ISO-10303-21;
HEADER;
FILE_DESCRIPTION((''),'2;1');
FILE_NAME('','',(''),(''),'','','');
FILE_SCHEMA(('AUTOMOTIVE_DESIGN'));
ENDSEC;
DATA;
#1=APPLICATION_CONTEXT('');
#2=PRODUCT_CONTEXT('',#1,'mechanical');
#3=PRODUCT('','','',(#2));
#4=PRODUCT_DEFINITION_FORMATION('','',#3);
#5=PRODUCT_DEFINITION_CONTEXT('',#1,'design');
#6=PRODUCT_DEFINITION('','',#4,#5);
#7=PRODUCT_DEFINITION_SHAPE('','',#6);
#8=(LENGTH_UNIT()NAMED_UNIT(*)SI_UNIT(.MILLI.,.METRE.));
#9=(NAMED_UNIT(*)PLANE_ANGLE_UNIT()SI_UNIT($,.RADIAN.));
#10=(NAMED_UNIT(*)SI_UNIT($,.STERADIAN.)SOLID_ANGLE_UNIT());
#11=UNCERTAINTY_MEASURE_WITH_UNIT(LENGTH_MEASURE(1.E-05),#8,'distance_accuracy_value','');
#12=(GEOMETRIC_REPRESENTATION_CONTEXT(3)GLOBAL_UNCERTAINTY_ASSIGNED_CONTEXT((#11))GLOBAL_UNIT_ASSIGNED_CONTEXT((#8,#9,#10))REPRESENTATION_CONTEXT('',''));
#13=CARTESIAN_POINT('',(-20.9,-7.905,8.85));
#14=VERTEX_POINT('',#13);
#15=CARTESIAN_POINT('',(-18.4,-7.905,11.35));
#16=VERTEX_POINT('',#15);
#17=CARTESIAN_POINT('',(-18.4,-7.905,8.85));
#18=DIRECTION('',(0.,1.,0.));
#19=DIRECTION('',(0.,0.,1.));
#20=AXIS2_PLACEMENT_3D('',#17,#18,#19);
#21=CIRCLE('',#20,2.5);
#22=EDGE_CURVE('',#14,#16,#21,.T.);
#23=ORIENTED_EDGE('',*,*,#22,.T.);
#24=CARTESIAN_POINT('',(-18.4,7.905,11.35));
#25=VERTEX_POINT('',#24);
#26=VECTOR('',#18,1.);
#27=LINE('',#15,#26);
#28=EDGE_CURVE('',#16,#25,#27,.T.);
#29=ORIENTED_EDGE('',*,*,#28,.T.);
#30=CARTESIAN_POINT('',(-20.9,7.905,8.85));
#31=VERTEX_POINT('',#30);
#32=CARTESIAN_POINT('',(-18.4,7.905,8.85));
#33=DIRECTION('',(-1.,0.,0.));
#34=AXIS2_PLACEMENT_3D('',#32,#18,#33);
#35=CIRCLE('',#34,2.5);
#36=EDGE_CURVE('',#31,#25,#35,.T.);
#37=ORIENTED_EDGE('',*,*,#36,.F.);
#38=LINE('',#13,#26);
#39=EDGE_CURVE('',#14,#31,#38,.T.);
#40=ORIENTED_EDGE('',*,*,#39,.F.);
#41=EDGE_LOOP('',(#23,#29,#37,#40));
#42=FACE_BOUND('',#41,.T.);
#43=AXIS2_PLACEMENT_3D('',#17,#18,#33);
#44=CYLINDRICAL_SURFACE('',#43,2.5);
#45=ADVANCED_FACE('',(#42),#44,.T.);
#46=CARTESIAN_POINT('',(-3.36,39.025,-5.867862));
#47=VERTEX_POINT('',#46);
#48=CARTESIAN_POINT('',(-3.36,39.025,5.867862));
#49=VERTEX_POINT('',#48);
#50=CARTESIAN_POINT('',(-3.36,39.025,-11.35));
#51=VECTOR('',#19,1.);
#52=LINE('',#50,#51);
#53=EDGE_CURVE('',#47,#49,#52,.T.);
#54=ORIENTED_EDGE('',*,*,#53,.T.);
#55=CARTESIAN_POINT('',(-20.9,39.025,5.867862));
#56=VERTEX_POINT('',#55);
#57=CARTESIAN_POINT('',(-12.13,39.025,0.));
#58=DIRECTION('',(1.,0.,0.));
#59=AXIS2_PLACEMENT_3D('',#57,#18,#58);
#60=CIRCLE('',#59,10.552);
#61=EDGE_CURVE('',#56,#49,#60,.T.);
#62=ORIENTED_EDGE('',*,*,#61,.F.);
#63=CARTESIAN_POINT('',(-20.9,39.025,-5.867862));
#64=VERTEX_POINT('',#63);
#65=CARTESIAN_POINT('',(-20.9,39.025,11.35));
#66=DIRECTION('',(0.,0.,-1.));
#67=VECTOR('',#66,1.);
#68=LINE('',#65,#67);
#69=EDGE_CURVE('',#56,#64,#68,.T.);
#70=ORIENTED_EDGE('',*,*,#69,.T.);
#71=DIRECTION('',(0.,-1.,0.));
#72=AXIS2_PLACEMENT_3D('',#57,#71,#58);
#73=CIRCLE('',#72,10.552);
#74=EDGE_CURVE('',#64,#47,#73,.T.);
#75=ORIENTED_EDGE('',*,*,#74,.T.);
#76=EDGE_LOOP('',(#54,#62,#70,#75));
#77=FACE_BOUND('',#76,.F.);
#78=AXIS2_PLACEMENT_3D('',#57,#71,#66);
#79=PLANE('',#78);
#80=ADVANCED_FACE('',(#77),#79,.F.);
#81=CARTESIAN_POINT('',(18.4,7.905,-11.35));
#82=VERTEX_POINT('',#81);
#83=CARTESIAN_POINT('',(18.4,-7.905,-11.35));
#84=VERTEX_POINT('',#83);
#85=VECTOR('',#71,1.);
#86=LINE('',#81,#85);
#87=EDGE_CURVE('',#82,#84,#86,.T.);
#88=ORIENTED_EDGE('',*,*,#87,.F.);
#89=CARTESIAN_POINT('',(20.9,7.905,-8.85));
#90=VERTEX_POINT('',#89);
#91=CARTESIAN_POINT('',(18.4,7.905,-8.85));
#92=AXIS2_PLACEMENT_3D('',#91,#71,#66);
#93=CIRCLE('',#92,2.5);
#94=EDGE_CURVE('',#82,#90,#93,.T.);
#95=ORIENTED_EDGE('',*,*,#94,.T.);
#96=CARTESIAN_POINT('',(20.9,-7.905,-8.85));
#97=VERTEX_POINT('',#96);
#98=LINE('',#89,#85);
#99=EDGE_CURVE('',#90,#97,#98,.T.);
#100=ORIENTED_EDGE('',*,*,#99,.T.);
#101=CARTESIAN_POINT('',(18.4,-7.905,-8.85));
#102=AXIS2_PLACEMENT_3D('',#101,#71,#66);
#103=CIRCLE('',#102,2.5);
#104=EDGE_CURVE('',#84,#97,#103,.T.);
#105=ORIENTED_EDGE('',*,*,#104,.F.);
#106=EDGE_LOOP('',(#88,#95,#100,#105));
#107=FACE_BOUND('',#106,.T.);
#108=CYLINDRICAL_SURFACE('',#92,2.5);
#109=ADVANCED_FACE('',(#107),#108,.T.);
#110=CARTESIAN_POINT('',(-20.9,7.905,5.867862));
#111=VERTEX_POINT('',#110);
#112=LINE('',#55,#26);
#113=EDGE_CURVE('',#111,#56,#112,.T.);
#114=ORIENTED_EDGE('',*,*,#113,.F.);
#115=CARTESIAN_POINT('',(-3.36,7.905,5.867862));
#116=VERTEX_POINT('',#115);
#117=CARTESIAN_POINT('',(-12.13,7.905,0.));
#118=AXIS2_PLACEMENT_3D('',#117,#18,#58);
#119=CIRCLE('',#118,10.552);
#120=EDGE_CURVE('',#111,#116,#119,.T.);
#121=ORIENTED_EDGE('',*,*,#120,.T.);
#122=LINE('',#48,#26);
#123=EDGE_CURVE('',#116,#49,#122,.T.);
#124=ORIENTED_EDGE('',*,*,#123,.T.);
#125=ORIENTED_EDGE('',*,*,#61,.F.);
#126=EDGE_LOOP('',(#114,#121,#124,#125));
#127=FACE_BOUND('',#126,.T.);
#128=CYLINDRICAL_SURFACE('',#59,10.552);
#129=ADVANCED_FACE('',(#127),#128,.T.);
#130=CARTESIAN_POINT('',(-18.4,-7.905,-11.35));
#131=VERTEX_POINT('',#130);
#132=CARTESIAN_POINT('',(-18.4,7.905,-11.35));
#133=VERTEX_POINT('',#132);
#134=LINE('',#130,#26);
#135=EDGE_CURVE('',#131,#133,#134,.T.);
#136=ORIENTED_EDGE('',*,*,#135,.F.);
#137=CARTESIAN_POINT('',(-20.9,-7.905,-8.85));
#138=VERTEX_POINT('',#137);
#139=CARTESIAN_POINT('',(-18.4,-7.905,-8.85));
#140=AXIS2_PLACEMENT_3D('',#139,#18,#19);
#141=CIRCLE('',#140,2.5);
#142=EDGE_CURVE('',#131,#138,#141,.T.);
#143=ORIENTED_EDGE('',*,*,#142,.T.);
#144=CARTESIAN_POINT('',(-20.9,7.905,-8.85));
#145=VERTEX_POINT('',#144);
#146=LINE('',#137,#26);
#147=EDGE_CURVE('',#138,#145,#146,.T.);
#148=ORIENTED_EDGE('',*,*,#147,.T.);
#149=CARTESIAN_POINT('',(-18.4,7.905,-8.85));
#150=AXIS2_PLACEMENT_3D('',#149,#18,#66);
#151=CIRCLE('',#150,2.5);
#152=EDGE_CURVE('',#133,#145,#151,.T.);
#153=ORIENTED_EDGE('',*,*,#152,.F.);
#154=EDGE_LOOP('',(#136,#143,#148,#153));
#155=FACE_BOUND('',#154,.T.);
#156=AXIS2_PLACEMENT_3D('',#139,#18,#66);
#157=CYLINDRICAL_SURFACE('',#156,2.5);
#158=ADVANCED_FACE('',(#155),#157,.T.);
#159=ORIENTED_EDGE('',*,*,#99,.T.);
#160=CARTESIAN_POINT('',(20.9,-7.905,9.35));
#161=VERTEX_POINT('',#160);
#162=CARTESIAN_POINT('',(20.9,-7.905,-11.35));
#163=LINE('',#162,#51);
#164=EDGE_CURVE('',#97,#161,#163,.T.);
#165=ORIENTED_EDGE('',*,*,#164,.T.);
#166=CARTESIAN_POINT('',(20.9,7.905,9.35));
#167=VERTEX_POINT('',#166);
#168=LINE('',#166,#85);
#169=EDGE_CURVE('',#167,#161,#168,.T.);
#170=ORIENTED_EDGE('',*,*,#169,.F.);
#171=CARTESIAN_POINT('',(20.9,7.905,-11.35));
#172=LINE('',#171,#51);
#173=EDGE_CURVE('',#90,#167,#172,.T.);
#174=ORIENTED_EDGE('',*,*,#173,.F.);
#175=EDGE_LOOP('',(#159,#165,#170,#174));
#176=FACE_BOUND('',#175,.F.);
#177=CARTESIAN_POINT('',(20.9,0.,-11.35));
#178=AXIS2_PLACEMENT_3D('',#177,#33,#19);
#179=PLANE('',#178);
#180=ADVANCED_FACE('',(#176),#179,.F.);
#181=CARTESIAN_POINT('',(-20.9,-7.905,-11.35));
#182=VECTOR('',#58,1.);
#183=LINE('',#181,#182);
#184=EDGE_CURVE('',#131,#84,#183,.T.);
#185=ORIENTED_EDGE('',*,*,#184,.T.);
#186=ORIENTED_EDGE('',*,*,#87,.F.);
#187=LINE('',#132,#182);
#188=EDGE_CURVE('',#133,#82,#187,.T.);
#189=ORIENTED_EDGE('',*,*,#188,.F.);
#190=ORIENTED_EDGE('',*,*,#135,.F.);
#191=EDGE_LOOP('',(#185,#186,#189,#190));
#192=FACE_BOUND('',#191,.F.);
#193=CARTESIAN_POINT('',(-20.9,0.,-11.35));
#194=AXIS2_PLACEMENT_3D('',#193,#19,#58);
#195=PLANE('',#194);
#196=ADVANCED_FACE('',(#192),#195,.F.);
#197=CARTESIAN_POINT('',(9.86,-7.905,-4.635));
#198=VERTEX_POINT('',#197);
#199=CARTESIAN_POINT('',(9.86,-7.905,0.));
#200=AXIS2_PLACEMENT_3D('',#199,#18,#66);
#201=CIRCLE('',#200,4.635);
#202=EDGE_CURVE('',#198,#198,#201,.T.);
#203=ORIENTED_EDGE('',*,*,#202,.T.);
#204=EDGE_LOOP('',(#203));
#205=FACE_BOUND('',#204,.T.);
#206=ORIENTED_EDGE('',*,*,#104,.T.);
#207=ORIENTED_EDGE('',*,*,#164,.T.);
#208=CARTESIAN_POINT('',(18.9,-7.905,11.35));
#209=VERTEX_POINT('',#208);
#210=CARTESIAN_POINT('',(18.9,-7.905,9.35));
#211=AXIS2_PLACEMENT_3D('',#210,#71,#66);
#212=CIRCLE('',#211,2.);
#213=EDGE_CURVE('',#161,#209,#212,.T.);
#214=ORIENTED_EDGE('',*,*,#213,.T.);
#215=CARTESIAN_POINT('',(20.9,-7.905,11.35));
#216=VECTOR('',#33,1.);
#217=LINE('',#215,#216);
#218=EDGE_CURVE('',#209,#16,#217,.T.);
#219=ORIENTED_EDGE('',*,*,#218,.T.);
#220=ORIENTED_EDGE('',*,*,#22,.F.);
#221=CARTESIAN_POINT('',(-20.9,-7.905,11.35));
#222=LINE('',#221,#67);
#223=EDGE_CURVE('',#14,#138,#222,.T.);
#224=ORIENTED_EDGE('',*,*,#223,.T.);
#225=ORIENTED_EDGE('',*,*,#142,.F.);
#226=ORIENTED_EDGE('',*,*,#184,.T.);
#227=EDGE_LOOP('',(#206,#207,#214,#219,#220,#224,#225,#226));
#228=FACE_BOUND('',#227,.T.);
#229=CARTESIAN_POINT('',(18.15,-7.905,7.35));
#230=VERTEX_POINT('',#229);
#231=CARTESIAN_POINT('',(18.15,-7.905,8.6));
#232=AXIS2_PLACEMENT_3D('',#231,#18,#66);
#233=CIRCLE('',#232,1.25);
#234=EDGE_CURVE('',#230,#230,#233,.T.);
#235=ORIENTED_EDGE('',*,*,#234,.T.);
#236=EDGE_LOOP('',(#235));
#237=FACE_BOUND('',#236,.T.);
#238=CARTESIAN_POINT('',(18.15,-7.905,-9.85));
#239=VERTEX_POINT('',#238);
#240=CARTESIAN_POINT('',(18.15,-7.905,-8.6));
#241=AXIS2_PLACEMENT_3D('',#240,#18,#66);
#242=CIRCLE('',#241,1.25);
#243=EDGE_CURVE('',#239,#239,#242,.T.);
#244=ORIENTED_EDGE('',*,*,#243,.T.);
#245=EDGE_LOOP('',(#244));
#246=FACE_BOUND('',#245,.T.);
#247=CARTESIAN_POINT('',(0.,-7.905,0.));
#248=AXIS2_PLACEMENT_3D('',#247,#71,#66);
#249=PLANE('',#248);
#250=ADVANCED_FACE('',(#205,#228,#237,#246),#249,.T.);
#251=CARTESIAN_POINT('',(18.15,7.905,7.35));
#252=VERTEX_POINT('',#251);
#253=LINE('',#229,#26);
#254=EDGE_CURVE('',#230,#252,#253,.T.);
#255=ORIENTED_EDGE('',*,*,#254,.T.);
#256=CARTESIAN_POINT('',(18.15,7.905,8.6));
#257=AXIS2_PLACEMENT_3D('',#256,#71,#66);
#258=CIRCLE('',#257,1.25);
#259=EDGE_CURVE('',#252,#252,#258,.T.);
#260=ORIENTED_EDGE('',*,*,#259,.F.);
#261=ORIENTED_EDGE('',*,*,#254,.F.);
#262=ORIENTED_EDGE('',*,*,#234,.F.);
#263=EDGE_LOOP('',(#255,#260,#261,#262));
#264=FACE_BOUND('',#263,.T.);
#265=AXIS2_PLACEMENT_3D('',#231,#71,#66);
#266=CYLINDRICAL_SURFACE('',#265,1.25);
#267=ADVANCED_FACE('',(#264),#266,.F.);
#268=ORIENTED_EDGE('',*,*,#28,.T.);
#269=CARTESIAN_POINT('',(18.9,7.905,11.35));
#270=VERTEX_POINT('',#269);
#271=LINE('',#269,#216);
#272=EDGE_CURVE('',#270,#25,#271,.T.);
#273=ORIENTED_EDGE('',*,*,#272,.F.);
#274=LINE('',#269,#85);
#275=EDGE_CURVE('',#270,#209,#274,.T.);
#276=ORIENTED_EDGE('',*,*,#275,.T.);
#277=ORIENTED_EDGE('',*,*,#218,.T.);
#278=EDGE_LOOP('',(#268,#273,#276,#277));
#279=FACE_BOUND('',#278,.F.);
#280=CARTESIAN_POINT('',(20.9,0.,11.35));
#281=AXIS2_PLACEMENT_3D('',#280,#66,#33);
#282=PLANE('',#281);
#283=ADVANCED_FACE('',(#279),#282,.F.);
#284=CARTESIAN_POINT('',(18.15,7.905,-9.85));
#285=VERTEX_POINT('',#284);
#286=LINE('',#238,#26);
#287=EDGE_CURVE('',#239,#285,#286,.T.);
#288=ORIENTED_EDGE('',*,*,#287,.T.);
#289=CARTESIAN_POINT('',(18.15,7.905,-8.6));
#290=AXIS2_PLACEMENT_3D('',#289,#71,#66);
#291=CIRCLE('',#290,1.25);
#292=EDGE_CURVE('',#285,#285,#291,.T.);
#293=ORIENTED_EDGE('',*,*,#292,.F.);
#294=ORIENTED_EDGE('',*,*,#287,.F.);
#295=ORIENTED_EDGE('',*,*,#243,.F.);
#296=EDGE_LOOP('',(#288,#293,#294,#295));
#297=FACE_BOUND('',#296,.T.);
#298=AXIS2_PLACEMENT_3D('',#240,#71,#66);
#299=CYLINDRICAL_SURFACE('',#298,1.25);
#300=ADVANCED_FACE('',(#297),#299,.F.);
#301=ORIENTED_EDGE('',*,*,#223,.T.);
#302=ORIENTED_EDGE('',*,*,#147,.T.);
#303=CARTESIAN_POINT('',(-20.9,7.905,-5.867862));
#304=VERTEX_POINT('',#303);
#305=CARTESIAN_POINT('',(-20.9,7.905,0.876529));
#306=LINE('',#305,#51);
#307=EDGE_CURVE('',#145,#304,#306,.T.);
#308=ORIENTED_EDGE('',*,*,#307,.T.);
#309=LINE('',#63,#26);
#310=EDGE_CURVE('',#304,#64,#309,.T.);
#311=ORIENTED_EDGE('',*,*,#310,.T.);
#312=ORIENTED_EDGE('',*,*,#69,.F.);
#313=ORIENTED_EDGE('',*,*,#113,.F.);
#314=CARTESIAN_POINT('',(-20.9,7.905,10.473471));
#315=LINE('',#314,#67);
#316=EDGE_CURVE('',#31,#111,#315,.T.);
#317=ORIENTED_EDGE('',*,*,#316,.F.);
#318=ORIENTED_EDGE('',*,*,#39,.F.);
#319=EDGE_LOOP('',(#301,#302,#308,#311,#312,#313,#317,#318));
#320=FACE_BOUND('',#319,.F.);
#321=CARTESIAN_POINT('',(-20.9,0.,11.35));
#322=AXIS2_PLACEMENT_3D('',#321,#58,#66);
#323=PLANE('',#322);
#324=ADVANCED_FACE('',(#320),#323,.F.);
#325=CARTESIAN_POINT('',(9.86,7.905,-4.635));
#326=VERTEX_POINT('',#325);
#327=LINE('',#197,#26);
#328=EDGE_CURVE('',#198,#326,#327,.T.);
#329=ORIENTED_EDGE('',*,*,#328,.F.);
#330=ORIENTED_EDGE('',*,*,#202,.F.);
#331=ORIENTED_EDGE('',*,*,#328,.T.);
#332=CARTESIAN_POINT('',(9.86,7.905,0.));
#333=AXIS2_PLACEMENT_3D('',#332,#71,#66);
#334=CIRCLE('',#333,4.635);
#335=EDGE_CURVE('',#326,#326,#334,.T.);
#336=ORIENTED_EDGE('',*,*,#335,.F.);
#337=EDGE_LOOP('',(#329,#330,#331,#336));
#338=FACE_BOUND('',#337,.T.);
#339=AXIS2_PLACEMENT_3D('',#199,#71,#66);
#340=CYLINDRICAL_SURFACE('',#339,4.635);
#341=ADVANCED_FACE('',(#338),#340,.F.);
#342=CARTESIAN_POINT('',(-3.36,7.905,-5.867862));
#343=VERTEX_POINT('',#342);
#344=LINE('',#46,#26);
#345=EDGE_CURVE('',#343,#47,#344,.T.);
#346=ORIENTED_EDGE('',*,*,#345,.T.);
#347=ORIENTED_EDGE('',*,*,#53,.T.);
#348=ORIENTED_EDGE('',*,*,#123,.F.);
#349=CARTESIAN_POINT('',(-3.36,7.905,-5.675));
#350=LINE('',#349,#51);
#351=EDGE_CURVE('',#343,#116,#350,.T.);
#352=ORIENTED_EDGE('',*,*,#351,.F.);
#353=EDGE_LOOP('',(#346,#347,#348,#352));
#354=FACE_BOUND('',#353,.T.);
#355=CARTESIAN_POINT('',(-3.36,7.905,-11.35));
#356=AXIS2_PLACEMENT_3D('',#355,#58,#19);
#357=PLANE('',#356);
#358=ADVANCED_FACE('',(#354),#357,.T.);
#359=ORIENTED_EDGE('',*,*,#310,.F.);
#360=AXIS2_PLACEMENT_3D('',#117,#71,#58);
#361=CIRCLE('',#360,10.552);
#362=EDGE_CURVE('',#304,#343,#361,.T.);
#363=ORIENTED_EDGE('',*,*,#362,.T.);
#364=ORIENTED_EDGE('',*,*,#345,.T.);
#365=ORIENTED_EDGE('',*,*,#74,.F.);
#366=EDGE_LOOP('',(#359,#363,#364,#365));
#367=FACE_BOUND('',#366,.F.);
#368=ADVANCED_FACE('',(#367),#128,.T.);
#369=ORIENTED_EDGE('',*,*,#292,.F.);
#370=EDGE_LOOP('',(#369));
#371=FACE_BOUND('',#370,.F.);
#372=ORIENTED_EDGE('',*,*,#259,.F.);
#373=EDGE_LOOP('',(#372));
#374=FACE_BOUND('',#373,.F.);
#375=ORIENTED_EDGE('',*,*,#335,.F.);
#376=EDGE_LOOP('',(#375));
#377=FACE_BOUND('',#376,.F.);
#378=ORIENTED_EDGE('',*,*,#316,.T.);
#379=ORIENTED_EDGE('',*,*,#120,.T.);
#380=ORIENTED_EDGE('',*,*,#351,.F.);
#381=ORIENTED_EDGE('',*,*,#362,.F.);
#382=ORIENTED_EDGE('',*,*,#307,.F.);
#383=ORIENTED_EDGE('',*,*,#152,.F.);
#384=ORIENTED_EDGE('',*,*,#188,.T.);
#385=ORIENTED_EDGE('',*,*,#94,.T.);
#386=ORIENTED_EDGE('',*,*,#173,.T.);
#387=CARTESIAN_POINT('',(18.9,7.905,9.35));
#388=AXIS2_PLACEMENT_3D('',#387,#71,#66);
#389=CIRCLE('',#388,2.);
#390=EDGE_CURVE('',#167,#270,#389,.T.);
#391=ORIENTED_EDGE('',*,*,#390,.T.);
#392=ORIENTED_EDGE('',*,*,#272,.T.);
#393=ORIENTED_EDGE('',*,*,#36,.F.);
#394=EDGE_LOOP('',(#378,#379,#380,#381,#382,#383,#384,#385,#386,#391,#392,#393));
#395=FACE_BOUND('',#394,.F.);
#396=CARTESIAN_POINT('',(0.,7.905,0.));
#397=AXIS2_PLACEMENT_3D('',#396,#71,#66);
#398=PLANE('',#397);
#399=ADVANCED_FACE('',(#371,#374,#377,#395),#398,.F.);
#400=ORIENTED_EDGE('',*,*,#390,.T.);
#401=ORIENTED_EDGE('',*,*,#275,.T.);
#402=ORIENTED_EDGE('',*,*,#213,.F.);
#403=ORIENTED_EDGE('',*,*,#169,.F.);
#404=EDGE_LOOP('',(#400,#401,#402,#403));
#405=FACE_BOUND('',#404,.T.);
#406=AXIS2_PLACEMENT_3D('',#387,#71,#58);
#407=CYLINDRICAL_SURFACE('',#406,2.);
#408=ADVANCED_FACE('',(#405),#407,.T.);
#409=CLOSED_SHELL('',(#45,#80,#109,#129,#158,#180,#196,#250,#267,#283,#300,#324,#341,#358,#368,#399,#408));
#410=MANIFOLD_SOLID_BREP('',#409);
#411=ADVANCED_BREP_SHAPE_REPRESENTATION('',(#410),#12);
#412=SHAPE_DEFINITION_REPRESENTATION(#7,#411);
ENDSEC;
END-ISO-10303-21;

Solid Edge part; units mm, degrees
sketch "Sketch1" plane through (0, 0, 0) normal (0, -1, 0) x (1, 0, 0)
  line L0 (-20.9, -11.35) -> (20.9, -11.35)
  line L1 (20.9, -11.35) -> (20.9, 11.35)
  line L2 (20.9, 11.35) -> (-20.9, 11.35)
  line L3 (-20.9, 11.35) -> (-20.9, -11.35)
extrude "Protrusion1" add sketch "Sketch1" along normal mid plane 15.81
sketch "Sketch2" plane through (0, 7.905, 0) normal (0, 1, 0) x (1, 0, 0)
  line L0 (-20.9, 11.35) -> (-3.36, 11.35)
  line L1 (-3.36, 11.35) -> (-3.36, -11.35)
  line L2 (-3.36, -11.35) -> (-20.9, -11.35)
  line L3 (-20.9, -11.35) -> (-20.9, 11.35)
extrude "Ajout_matière_2" add sketch "Sketch2" along normal blind 31.12 and the other way blind 0.01
hole "Perçage_1" at (18.15, -7.905, 8.6) direction (0, 1, 0) diameter 2.5 end through all
hole "Hole1" at (18.15, -7.905, -8.6) direction (0, 1, 0) diameter 2.5 end through all
hole "Perçage_4" at (9.86, -7.905, 0) direction (0, 1, 0) diameter 9.27 end through all
fillet "Congé_1" radius 2.5 3 edges at (20.9, 0, -11.35) (-20.9, 15.56, 11.35) (-20.9, 15.56, -11.35)
fillet "Congé_1" radius 2 1 edges at (20.9, 0, 11.35)
sketch "Sketch3" plane through (-12.13, 39.025, 0) normal (0, 1, 0) x (1, 0, 0)
  line L0 (8.77, 5.8678) -> (8.77, 11.35)
  line L1 (8.77, 11.35) -> (-8.77, 11.35)
  line L2 (-8.77, 11.35) -> (-8.77, 5.8678)
  arc A0 (-8.77, 5.8678) -> (8.77, 5.8678) centre (0, 0) cw
extrude "Cutout1" cut sketch "Sketch3" against normal blind 31.12
mirror "Mirror1" about plane through (0, 0, 0) normal (0, 0, 1) of "Cutout1"
properties part number "17" material "MDF 3mm"
